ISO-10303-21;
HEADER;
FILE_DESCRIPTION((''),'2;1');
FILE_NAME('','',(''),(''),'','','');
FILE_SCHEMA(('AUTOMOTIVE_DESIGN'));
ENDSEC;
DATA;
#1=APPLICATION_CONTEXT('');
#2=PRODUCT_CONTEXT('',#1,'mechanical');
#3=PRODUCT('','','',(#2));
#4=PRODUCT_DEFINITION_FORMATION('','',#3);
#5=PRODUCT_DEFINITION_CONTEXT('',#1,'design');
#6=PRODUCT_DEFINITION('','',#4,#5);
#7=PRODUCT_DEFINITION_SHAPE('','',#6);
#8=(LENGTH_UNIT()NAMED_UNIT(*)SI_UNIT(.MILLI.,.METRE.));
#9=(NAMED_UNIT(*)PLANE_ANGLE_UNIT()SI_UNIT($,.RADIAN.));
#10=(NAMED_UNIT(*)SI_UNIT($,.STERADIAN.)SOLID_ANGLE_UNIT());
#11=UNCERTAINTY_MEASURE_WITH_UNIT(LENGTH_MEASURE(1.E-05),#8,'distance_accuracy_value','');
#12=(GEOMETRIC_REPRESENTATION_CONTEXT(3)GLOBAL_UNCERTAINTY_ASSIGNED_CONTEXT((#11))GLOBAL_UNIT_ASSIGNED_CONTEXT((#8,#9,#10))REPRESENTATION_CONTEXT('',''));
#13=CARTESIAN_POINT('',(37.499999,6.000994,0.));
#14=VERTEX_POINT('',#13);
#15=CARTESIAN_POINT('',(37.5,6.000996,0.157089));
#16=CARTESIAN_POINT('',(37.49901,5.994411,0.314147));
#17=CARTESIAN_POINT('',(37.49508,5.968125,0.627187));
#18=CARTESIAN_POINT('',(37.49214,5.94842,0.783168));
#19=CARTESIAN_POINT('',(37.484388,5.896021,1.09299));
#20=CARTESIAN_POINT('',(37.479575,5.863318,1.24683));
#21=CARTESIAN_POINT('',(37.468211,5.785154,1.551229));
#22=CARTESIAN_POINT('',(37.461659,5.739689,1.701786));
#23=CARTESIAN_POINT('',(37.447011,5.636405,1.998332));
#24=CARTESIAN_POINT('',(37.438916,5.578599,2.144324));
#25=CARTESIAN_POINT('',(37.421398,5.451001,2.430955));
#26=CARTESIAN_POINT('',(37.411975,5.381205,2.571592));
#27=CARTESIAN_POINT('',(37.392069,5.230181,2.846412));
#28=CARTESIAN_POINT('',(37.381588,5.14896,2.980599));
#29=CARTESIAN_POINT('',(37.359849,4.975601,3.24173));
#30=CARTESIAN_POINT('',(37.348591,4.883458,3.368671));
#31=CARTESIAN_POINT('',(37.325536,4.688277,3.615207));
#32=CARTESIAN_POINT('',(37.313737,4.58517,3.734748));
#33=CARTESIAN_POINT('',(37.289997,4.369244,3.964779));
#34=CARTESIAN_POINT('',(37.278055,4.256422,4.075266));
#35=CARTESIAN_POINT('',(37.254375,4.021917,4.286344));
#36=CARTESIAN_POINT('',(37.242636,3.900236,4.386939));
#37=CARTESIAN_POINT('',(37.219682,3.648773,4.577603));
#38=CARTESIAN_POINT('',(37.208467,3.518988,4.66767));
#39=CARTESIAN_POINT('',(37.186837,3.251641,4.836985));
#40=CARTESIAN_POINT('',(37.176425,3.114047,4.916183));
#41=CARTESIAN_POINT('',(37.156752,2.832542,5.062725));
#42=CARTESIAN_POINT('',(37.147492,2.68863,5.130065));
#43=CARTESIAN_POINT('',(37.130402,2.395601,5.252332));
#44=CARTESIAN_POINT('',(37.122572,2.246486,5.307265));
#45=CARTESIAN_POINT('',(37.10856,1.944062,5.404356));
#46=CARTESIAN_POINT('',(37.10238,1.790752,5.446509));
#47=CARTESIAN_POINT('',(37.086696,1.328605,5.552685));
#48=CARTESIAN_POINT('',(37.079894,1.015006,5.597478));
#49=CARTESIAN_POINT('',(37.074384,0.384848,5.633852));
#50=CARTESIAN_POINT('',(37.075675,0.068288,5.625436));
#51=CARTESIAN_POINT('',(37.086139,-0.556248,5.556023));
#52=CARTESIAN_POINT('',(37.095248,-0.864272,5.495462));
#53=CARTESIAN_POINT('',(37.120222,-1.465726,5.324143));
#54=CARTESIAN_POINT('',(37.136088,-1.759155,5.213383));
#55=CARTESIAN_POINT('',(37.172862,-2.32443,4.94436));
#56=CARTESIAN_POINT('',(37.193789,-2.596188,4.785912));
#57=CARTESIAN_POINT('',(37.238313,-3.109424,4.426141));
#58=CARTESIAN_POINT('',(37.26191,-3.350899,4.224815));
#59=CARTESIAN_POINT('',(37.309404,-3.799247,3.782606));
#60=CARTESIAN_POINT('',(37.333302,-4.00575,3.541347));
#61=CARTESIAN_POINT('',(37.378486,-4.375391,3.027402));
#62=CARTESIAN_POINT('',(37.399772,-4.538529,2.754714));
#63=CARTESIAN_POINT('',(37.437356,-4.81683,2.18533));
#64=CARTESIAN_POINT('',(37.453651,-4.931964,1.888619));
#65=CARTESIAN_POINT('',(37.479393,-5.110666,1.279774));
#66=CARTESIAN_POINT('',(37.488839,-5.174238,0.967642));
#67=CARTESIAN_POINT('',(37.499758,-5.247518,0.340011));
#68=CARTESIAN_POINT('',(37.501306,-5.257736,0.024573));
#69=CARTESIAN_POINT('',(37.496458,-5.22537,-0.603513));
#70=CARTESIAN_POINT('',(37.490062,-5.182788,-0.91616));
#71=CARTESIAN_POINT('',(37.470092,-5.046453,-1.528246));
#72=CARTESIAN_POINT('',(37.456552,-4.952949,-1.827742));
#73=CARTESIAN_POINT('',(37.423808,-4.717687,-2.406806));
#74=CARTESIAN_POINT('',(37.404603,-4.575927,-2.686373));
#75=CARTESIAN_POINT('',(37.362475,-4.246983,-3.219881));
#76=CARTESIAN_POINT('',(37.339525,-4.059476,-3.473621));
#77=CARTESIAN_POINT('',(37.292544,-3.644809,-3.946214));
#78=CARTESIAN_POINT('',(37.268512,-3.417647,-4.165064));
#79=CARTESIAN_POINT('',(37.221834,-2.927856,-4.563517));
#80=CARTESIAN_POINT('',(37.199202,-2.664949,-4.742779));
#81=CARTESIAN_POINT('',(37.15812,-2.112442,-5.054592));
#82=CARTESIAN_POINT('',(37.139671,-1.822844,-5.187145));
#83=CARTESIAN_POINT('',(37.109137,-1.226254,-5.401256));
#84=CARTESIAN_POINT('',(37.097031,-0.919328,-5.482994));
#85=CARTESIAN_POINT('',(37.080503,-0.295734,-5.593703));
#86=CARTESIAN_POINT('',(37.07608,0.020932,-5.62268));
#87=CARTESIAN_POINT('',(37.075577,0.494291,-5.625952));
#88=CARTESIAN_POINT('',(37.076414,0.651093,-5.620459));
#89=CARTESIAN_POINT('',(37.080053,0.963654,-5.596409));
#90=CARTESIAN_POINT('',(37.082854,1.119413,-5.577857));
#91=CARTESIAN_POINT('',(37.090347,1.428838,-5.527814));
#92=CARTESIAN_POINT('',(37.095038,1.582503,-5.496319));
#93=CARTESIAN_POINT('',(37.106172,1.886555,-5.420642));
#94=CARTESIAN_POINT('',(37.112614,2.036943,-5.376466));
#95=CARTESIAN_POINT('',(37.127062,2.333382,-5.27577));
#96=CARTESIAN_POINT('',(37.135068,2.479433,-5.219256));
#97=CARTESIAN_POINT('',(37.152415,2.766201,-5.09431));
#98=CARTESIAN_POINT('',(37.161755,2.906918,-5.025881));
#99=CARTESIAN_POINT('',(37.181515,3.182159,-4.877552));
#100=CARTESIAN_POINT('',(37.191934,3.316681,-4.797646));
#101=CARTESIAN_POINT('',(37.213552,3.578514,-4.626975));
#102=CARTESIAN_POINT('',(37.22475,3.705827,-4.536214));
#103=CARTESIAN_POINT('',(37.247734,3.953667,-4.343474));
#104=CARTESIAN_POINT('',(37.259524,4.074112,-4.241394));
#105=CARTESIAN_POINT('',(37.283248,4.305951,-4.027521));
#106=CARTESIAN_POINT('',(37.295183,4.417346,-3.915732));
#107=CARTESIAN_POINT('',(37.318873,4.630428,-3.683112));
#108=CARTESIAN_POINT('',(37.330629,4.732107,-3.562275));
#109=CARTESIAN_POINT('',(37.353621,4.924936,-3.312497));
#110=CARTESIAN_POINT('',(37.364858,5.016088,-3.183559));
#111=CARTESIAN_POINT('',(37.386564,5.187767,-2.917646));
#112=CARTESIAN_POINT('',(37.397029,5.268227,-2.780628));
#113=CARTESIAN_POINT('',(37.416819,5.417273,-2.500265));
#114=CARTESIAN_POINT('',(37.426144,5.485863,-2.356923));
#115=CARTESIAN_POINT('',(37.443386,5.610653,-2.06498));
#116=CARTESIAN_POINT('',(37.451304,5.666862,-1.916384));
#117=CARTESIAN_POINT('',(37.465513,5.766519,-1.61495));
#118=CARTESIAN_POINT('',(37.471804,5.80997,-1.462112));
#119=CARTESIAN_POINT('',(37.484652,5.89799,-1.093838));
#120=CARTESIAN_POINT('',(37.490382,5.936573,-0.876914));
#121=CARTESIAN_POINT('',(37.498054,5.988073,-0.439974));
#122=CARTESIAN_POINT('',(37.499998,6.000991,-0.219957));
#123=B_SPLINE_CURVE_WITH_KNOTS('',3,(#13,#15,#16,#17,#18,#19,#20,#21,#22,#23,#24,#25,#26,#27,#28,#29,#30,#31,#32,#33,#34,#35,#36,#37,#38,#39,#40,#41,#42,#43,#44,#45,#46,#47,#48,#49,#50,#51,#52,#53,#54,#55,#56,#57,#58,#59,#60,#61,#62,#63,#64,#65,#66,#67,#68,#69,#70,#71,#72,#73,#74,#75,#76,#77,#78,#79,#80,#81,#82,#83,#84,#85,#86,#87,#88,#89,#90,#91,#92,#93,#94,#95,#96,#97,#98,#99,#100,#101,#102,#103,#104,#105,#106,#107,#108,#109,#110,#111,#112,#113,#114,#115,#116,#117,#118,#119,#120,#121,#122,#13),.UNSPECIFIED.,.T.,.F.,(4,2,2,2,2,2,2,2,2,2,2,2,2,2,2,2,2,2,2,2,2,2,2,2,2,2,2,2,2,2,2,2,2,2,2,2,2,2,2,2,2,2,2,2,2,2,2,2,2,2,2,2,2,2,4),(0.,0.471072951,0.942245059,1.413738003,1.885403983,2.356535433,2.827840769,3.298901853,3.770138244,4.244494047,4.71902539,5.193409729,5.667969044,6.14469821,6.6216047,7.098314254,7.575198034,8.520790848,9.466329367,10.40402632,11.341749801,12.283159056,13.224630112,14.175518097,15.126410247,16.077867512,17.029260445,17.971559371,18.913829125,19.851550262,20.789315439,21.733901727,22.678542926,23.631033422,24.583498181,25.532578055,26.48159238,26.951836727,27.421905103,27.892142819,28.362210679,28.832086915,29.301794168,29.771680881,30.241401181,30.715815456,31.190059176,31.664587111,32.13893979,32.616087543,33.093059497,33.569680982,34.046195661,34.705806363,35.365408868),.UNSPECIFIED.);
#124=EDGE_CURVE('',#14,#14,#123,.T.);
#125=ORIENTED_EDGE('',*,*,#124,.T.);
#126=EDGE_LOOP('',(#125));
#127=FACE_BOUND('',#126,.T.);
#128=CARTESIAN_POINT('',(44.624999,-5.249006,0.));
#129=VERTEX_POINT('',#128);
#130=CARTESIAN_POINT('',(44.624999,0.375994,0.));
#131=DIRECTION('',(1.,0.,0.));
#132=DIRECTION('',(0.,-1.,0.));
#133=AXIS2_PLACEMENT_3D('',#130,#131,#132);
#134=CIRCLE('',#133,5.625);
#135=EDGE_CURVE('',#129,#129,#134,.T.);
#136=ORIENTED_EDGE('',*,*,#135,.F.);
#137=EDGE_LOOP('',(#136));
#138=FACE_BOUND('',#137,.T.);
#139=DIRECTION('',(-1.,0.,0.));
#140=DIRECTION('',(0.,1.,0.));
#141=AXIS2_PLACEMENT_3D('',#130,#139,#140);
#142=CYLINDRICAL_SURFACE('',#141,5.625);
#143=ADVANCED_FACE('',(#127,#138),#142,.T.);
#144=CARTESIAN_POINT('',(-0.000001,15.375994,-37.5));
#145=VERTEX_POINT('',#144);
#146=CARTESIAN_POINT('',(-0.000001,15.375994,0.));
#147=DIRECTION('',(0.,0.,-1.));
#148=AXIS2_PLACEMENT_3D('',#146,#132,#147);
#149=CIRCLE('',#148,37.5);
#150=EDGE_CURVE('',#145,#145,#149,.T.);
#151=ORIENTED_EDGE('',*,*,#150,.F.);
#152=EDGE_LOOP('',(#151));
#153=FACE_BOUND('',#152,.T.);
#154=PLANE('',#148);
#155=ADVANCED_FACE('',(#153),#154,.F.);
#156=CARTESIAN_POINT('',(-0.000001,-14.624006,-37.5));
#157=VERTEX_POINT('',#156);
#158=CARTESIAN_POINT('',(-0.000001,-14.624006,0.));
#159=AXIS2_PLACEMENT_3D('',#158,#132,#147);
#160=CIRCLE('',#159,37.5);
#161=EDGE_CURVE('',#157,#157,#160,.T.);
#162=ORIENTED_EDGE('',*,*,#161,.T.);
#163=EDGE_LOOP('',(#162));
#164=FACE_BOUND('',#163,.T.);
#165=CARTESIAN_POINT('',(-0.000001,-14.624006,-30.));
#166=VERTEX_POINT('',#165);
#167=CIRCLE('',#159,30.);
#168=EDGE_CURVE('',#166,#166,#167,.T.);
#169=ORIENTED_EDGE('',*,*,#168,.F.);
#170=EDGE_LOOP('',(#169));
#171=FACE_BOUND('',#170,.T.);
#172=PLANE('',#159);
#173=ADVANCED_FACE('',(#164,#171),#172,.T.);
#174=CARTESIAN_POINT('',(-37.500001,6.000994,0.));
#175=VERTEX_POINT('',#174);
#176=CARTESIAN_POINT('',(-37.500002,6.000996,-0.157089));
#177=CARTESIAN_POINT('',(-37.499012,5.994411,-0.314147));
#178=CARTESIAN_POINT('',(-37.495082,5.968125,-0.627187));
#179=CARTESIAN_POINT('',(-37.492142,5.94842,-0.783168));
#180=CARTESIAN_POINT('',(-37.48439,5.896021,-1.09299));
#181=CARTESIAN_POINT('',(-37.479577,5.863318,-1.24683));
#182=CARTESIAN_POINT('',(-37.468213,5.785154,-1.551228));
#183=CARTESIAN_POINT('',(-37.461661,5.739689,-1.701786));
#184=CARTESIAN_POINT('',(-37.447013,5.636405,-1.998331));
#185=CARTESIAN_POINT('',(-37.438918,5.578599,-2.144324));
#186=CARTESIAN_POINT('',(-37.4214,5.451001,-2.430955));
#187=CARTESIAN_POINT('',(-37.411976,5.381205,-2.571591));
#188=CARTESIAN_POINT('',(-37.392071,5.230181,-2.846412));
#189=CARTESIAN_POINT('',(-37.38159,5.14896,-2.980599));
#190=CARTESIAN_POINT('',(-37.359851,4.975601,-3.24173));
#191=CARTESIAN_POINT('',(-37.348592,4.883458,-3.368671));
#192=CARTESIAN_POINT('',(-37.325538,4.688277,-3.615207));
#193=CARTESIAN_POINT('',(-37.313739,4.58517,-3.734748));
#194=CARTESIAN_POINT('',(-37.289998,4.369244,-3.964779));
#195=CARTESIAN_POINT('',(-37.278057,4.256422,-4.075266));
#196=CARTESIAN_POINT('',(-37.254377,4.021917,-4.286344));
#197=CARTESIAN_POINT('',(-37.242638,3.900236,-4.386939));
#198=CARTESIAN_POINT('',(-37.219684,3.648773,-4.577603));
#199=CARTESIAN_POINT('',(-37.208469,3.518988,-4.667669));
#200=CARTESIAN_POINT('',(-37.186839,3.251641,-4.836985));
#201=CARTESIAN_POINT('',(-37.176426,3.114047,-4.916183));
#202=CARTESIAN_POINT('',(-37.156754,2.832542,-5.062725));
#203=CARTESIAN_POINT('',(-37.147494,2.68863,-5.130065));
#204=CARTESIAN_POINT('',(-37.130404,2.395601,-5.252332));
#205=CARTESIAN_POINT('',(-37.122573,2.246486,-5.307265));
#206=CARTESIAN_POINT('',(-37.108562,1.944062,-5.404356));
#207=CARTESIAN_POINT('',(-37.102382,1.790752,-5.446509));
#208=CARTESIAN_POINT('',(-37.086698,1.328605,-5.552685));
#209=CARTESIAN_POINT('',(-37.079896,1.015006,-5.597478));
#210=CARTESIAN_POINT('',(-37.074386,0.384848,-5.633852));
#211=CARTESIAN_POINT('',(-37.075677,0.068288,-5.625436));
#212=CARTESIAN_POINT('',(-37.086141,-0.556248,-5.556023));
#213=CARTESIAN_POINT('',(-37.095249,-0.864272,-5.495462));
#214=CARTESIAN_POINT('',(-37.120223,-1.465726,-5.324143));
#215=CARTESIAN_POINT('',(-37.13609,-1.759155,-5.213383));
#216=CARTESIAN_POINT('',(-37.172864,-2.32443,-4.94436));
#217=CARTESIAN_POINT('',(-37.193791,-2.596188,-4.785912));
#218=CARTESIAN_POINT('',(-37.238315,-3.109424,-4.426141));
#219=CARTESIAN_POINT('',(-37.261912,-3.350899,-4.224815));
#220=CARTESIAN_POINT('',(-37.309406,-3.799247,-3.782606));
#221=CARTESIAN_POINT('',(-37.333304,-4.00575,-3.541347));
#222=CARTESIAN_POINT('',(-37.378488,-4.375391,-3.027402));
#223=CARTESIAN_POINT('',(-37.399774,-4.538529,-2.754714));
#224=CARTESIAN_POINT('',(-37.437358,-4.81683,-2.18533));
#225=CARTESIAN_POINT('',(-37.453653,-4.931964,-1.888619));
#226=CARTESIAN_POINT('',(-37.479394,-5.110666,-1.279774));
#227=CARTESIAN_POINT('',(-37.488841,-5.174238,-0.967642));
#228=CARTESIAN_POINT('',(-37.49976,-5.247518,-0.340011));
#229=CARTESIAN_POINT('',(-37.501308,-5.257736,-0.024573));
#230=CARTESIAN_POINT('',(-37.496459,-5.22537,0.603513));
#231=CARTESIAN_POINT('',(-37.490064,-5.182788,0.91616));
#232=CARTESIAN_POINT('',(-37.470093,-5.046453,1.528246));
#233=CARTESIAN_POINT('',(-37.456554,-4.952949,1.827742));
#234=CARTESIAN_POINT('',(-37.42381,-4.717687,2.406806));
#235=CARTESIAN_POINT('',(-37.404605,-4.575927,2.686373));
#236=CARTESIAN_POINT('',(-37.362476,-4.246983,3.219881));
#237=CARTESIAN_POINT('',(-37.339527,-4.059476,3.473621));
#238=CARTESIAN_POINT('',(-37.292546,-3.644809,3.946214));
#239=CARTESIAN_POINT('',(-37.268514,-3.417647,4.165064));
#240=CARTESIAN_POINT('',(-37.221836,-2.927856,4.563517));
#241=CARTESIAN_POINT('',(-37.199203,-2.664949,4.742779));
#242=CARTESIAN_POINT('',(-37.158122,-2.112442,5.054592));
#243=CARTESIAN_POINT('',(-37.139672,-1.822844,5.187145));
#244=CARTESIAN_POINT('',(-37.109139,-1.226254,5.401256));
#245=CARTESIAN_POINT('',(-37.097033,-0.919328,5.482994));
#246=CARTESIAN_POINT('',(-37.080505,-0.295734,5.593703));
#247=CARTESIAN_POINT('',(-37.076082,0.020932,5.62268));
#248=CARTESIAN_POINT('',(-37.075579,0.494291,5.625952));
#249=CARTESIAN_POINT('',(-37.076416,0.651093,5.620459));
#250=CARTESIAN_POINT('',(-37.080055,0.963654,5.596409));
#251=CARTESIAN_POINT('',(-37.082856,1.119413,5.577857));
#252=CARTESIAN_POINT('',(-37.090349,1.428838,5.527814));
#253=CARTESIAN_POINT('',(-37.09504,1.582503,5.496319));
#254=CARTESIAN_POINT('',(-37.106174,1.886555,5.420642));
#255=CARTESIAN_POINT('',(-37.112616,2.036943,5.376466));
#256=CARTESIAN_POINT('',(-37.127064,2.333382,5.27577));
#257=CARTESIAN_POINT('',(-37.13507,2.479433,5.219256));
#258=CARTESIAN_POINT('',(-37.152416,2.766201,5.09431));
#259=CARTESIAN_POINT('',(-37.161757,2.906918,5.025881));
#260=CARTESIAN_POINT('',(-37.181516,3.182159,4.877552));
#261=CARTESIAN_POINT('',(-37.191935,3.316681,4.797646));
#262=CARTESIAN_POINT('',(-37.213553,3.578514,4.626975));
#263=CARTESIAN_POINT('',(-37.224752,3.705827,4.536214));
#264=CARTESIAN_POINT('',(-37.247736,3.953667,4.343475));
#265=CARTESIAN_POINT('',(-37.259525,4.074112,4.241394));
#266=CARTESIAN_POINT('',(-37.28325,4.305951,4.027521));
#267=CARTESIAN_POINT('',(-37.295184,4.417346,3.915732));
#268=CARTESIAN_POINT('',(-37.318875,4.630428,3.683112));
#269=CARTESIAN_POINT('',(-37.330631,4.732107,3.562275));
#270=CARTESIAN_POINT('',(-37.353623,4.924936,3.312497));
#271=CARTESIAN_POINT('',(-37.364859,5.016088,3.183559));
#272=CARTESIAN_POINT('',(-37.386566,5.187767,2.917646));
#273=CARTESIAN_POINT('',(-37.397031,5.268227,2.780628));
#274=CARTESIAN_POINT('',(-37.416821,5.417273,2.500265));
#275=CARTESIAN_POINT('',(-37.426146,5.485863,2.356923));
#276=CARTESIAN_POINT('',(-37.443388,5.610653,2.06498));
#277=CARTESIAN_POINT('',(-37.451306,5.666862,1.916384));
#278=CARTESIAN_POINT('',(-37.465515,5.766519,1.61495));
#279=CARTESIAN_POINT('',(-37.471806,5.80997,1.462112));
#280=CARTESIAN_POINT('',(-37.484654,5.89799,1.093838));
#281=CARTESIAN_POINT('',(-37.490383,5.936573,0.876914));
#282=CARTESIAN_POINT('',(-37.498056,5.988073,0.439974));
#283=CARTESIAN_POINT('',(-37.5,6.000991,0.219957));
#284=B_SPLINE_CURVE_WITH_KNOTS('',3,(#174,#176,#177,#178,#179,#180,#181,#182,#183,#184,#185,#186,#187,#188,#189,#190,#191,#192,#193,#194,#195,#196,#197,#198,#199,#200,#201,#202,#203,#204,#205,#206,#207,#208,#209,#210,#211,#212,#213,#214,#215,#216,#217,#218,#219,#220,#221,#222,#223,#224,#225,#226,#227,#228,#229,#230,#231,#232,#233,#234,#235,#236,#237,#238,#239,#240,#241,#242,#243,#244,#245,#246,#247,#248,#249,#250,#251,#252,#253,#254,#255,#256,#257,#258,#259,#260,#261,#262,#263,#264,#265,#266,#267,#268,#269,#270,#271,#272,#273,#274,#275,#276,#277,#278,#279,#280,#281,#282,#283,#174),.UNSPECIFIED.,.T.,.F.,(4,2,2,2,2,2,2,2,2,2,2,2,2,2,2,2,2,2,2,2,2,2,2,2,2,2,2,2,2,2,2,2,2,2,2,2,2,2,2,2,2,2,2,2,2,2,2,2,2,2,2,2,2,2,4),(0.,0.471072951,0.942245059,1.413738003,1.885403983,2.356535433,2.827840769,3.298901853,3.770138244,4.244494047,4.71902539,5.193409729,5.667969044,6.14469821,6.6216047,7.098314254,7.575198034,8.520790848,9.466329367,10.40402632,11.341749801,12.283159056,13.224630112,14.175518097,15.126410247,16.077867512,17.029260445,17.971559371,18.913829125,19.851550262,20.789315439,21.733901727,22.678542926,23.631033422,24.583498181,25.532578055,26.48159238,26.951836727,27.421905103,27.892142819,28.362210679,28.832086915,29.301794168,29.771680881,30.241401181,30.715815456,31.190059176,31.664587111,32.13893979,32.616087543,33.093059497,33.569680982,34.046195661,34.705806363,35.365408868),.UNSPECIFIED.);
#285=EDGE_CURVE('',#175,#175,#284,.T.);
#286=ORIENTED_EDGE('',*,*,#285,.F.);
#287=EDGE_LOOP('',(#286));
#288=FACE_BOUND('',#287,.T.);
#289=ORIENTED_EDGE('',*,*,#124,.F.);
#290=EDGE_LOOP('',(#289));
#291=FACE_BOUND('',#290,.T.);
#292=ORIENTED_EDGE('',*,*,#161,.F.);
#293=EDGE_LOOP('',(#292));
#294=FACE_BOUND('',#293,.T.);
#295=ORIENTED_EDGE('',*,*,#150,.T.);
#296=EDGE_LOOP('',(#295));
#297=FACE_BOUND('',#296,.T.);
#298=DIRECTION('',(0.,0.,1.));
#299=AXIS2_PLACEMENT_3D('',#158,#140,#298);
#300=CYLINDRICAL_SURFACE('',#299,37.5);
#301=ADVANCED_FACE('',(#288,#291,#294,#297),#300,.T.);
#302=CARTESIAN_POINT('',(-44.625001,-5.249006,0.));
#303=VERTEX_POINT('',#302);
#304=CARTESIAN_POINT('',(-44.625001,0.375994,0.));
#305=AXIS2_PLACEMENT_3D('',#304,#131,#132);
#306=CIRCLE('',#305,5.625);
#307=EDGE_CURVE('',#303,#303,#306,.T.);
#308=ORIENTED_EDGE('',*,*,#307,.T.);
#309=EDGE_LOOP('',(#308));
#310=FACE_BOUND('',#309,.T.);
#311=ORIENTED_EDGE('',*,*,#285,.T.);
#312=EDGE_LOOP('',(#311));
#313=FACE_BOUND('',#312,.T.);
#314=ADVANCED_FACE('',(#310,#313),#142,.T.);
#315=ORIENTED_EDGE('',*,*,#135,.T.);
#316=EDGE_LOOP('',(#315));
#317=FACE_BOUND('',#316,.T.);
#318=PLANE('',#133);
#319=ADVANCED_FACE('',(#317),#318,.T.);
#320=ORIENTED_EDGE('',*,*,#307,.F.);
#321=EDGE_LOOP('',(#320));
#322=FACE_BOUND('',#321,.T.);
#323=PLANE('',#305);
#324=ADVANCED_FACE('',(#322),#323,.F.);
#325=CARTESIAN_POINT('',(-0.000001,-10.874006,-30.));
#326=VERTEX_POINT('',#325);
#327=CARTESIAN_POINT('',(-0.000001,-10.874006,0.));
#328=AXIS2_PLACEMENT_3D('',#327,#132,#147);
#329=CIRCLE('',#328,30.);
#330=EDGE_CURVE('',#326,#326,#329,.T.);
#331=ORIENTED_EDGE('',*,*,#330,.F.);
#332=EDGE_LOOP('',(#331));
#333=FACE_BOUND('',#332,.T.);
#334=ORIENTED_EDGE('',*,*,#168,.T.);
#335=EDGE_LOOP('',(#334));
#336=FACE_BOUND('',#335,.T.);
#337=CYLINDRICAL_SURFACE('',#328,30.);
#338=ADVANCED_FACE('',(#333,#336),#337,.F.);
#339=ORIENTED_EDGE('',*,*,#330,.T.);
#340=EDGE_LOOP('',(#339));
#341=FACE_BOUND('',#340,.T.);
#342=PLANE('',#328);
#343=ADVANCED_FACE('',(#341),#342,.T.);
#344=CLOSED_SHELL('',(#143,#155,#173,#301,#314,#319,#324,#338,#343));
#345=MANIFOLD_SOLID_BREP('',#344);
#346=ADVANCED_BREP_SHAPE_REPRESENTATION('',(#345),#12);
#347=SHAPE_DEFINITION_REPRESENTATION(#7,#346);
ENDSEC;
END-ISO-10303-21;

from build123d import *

# Parameters (mm, degrees)
SKIZZE1_R                          = 50
AUFSATZ_LINEAR_AUSTRAGEN1_DEPTH    = 20
SKIZZE2_R                          = 40
SCHNITT_LINEAR_AUSTRAGEN1_DEPTH    = 5
SKIZZE3_R                          = 7.5
AUFSATZ_LINEAR_AUSTRAGEN2_DEPTH    = 59.5
SKALIEREN1_SCALE                   = 0.75
K_RPER_VERSCHIEBEN_KOPIEREN1_ANGLE = 120


with BuildPart() as part:
    # Skizze1 → Aufsatz-Linear austragen1 (new, symmetric)
    with BuildSketch(Plane(origin=(0, 0, 0), x_dir=(0, 1, 0), z_dir=(0, 0, 1))):
        with Locations(Location((0, 0, 0), (0, 0, 270))):
            Circle(SKIZZE1_R)
    extrude(amount=AUFSATZ_LINEAR_AUSTRAGEN1_DEPTH, both=True)

    # Skizze2 → Schnitt-Linear austragen1 (cut)
    with BuildSketch(Plane.XY.offset(20)):
        Circle(SKIZZE2_R)
    extrude(amount=-SCHNITT_LINEAR_AUSTRAGEN1_DEPTH, mode=Mode.SUBTRACT)

    # Skizze3 → Aufsatz-Linear austragen2 (add, symmetric)
    with BuildSketch(Plane(origin=(0, 0, 0), x_dir=(-1, 0, 0), z_dir=(0, 1, 0))):
        with Locations(Location((0, 0, 0), (0, 0, 270))):
            Circle(SKIZZE3_R)
    extrude(amount=AUFSATZ_LINEAR_AUSTRAGEN2_DEPTH, both=True)


with BuildPart() as part_1:
    # Skalieren1: scaled about (4.8248e-05, 1e-09, -1.504015825)
    add(part.part.scale(SKALIEREN1_SCALE).moved(Location((1.2062e-05, 0, -0.376003956))))


with BuildPart() as part_2:
    # Körper-Verschieben/Kopieren1: moved
    add(part_1.part.rotate(Axis((0, 0, 0), (0.5773502691896928, 0.5773502691894897, -0.5773502691896948)), K_RPER_VERSCHIEBEN_KOPIEREN1_ANGLE))


solid = part_2.part
